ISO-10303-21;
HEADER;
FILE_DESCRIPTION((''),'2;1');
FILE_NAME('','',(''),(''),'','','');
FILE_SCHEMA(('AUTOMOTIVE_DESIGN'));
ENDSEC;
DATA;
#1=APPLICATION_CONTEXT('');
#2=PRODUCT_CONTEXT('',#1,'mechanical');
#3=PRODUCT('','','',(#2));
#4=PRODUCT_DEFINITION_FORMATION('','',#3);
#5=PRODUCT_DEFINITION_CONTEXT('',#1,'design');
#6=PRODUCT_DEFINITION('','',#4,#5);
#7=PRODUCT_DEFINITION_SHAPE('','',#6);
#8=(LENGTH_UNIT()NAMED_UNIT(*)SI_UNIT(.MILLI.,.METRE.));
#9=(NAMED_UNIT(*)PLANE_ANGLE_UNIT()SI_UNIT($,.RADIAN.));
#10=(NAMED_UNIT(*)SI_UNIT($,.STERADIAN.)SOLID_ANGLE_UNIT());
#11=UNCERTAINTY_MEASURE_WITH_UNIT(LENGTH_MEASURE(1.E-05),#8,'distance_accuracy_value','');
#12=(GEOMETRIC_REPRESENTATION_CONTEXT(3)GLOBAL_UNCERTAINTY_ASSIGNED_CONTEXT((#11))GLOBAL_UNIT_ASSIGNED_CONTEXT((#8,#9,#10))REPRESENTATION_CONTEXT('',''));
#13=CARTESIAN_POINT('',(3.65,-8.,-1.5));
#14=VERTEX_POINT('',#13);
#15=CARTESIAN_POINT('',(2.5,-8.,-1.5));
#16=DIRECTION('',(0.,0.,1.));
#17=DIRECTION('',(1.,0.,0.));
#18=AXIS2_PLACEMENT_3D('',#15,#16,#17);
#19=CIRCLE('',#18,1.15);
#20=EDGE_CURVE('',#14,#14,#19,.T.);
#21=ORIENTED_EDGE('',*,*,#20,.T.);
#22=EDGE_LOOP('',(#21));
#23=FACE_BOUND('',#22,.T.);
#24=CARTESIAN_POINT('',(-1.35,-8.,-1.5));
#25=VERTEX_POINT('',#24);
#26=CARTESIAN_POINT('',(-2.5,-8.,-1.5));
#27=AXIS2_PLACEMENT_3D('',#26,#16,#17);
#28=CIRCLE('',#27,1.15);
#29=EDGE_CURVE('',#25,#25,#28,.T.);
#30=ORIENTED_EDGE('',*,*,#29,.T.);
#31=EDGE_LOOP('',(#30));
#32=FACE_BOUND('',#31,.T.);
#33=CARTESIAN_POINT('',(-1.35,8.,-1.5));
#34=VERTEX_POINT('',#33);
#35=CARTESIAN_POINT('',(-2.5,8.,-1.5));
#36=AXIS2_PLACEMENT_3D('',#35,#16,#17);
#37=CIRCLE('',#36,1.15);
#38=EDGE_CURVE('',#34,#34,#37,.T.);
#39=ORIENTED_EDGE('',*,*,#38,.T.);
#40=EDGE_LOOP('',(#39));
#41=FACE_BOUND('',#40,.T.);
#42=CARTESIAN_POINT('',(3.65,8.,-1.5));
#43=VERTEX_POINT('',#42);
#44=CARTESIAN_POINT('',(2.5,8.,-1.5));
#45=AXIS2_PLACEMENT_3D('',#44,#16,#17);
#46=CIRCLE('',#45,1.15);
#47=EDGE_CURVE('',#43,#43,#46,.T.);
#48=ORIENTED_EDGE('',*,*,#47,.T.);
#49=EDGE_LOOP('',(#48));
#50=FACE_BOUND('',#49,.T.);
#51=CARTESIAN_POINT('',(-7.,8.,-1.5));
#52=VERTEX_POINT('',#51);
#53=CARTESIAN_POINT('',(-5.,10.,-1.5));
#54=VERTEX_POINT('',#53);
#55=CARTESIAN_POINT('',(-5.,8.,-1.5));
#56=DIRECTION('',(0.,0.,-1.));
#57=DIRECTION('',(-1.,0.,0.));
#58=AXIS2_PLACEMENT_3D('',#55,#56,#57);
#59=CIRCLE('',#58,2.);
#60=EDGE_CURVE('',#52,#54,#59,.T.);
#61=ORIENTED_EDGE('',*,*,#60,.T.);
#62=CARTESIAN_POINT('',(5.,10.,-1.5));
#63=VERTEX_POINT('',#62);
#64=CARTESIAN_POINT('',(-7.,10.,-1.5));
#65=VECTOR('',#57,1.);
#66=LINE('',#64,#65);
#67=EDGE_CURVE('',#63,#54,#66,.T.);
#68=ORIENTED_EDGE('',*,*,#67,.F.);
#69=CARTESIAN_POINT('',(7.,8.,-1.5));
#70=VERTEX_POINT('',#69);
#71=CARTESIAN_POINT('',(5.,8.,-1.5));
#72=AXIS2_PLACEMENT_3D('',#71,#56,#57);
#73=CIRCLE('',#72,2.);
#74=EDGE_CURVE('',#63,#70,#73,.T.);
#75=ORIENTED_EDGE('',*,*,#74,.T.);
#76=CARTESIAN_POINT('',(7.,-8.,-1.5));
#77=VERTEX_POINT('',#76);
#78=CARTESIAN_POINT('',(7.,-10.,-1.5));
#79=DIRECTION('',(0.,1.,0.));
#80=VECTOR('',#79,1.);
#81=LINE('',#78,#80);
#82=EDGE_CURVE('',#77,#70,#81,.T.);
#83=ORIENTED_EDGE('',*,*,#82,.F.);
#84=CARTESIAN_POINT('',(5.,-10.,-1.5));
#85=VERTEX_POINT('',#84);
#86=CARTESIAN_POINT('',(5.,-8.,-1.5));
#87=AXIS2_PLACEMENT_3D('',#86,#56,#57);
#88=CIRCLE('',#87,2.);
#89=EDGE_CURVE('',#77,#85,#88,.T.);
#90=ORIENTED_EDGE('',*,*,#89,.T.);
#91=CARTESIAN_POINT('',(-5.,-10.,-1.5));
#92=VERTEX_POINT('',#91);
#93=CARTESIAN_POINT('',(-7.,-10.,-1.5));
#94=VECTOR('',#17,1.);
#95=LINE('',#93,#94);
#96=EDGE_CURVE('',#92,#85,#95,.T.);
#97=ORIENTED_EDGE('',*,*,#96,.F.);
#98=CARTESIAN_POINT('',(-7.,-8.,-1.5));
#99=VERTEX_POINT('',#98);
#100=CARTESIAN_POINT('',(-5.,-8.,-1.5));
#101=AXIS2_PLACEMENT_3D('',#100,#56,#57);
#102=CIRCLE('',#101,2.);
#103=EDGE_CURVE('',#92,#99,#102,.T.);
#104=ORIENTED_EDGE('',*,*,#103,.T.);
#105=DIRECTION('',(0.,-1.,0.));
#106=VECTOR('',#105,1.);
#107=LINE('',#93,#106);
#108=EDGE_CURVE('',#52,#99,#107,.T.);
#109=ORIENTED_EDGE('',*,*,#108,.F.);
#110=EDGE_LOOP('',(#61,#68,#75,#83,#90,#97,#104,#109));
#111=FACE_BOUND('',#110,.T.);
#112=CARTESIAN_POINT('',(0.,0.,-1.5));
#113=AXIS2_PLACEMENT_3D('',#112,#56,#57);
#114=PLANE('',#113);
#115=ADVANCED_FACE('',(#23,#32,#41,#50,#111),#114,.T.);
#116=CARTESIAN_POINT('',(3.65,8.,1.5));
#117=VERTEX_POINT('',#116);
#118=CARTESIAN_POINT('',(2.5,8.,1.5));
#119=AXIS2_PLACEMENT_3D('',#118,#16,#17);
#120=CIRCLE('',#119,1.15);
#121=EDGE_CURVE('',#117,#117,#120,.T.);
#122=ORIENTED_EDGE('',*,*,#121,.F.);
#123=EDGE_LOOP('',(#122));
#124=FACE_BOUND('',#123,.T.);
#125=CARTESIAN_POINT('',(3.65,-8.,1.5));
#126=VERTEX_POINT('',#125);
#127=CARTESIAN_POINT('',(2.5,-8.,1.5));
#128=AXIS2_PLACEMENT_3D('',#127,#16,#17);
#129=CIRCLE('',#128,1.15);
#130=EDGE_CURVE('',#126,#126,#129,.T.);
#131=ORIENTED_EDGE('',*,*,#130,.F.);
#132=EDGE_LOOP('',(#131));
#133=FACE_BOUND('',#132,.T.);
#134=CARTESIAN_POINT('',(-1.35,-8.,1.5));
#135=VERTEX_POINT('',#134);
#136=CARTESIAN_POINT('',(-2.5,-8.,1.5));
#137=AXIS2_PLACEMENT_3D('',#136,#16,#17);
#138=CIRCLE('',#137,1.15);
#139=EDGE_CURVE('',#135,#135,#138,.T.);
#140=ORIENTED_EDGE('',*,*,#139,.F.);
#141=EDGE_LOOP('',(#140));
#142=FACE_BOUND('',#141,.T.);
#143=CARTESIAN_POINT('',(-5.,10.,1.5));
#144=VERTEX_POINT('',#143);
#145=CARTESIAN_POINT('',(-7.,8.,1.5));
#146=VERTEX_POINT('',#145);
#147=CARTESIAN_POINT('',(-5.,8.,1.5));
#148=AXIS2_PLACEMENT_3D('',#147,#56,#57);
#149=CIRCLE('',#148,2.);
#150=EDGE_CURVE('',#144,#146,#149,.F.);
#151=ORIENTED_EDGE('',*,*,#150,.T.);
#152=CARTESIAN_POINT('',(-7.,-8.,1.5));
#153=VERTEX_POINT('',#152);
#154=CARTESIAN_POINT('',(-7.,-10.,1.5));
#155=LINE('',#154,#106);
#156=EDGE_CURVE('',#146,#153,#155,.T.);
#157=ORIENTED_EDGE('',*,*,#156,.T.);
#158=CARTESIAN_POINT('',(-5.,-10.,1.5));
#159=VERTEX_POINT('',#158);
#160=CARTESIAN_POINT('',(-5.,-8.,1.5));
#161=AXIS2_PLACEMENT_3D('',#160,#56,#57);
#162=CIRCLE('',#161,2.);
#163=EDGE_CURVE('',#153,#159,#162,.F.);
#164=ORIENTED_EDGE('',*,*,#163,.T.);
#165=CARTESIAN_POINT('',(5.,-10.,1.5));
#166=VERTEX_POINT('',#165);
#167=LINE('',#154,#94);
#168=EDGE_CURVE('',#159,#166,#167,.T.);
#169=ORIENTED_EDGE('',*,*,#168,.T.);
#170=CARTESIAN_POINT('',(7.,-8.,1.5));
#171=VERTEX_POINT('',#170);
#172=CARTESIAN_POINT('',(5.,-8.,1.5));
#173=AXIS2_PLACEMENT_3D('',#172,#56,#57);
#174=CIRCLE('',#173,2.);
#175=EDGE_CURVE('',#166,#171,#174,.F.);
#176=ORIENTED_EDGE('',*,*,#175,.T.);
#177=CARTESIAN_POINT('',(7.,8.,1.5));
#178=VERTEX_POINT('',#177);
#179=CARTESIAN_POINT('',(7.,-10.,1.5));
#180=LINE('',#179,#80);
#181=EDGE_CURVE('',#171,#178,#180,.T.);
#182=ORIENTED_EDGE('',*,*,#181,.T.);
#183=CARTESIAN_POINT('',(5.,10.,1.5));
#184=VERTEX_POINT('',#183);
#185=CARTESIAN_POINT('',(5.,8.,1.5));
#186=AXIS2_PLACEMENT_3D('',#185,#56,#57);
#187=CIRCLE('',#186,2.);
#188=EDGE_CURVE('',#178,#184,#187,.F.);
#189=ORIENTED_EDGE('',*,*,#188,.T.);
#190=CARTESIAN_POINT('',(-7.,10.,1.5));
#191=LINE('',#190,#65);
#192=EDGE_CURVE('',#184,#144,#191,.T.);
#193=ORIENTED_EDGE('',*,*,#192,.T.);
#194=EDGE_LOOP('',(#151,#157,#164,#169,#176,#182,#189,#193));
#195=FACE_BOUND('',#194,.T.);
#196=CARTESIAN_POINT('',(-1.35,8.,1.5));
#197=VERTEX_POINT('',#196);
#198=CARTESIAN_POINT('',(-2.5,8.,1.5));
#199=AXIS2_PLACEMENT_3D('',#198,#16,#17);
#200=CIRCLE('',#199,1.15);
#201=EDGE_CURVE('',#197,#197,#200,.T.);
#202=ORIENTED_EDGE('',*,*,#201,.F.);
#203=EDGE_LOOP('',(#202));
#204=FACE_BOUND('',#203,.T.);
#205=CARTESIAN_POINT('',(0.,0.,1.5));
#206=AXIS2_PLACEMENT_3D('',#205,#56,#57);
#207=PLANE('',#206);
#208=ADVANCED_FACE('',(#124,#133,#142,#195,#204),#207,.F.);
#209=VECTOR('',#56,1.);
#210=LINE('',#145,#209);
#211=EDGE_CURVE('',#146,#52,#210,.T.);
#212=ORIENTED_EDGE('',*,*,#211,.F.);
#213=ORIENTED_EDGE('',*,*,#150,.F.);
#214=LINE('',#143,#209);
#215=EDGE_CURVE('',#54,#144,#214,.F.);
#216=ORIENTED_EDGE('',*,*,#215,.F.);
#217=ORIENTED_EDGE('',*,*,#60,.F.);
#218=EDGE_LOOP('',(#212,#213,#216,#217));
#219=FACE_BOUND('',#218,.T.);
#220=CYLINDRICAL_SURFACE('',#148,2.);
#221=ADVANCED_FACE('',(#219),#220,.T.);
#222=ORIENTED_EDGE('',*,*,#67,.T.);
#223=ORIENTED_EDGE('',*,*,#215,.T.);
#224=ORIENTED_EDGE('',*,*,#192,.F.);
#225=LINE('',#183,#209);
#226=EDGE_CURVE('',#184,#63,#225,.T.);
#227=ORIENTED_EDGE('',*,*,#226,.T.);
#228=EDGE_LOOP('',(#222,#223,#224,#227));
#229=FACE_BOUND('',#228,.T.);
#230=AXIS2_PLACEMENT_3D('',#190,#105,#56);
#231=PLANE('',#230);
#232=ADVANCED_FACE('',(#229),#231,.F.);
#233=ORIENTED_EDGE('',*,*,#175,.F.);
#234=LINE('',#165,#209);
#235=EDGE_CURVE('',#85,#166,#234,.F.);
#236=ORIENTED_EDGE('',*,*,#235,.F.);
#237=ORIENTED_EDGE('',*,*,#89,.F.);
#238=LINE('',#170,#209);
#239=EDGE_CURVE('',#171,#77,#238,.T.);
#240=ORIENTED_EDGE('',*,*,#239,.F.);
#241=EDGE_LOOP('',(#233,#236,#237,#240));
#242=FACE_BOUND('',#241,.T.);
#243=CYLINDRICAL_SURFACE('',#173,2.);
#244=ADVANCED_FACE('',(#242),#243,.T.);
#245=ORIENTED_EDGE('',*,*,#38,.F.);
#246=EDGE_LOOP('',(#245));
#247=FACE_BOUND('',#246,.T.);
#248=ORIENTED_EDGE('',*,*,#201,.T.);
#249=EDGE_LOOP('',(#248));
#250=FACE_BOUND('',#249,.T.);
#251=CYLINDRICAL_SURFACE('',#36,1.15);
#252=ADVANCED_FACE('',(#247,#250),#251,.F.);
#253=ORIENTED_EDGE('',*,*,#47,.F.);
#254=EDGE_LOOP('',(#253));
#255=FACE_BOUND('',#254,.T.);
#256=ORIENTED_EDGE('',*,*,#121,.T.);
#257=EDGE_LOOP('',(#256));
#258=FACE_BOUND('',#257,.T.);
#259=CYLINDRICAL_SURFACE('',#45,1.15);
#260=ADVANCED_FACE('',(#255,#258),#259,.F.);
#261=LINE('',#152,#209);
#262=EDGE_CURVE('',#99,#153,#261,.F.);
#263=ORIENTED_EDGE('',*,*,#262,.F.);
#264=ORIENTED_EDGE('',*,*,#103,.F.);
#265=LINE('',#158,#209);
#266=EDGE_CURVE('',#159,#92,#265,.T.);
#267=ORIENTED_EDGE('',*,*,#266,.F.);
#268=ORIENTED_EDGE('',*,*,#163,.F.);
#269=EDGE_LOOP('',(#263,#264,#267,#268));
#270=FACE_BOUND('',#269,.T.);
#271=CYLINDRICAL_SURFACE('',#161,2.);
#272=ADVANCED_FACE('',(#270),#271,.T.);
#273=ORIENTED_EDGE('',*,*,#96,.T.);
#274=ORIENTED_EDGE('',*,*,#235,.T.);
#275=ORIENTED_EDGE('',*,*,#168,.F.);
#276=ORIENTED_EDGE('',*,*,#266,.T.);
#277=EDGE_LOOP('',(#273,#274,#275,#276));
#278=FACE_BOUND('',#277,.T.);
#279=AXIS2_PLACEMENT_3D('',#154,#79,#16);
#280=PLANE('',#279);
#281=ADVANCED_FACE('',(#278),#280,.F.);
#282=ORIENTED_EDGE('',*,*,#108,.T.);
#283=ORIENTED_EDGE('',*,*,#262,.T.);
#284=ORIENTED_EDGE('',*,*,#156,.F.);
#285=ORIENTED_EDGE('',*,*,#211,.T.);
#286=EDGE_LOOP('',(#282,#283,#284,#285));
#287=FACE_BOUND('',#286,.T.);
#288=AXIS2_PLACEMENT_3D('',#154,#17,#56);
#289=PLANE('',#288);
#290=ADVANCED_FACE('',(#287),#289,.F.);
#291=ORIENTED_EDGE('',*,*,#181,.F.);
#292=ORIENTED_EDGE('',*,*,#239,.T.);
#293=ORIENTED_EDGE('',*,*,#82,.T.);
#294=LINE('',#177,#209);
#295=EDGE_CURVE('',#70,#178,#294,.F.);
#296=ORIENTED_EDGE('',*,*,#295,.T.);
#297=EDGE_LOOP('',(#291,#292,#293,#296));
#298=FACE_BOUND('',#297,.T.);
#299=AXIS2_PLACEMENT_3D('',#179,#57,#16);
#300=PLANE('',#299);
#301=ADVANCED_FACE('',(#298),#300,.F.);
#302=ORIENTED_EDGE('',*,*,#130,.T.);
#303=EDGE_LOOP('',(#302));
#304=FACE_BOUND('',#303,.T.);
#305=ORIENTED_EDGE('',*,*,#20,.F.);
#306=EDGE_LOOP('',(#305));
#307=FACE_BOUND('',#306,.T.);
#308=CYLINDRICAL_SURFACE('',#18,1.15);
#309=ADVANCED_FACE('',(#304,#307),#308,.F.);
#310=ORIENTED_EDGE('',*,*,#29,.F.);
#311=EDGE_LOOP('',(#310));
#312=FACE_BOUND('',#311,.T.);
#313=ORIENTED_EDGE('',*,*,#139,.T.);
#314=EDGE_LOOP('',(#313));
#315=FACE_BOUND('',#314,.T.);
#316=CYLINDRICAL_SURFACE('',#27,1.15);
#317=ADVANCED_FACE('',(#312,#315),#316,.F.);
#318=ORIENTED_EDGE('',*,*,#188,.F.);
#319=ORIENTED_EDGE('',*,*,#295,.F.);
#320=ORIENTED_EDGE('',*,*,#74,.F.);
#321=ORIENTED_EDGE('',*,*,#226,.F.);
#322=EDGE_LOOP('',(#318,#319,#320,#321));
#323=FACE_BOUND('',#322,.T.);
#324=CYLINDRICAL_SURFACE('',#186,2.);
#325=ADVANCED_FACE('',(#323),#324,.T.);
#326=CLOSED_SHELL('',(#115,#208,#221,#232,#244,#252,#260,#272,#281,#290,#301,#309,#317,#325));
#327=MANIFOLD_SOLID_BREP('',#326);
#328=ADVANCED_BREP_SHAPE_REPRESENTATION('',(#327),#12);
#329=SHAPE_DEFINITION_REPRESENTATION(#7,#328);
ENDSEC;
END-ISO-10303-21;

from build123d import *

# Parameters (mm, degrees)
SKETCH_1_W          = 14
SKETCH_1_H          = 20
EXTRUDE_1_DEPTH     = 1.5
SKETCH_2_R          = 1.15
CUT_EXTRUDE_1_DEPTH = 13.56980509
FILLET_1_R          = 2


with BuildPart() as part:
    # 草图1 → 凸台-拉伸1 (new, symmetric)
    with BuildSketch(Plane.XY):
        Rectangle(SKETCH_1_W, SKETCH_1_H)
    extrude(amount=EXTRUDE_1_DEPTH, both=True)

    # 草图2 → 切除-拉伸1 (cut, through all)
    with BuildSketch(Plane.XY.offset(1.5)):
        with Locations((-2.5, 8)):
            Circle(SKETCH_2_R)
        with Locations((2.5, 8)):
            Circle(SKETCH_2_R)
        with Locations((-2.5, -8)):
            Circle(SKETCH_2_R)
        with Locations((2.5, -8)):
            Circle(SKETCH_2_R)
    extrude(amount=-CUT_EXTRUDE_1_DEPTH, mode=Mode.SUBTRACT)

    # 圆角1
    fillet_1_edges = [part.edges().sort_by_distance(p)[0] for p in [
        (7, -10, 0),
        (-7, -10, 0),
        (-7, 10, 0),
        (7, 10, 0),
    ]]
    fillet(fillet_1_edges, radius=FILLET_1_R)


solid = part.part
